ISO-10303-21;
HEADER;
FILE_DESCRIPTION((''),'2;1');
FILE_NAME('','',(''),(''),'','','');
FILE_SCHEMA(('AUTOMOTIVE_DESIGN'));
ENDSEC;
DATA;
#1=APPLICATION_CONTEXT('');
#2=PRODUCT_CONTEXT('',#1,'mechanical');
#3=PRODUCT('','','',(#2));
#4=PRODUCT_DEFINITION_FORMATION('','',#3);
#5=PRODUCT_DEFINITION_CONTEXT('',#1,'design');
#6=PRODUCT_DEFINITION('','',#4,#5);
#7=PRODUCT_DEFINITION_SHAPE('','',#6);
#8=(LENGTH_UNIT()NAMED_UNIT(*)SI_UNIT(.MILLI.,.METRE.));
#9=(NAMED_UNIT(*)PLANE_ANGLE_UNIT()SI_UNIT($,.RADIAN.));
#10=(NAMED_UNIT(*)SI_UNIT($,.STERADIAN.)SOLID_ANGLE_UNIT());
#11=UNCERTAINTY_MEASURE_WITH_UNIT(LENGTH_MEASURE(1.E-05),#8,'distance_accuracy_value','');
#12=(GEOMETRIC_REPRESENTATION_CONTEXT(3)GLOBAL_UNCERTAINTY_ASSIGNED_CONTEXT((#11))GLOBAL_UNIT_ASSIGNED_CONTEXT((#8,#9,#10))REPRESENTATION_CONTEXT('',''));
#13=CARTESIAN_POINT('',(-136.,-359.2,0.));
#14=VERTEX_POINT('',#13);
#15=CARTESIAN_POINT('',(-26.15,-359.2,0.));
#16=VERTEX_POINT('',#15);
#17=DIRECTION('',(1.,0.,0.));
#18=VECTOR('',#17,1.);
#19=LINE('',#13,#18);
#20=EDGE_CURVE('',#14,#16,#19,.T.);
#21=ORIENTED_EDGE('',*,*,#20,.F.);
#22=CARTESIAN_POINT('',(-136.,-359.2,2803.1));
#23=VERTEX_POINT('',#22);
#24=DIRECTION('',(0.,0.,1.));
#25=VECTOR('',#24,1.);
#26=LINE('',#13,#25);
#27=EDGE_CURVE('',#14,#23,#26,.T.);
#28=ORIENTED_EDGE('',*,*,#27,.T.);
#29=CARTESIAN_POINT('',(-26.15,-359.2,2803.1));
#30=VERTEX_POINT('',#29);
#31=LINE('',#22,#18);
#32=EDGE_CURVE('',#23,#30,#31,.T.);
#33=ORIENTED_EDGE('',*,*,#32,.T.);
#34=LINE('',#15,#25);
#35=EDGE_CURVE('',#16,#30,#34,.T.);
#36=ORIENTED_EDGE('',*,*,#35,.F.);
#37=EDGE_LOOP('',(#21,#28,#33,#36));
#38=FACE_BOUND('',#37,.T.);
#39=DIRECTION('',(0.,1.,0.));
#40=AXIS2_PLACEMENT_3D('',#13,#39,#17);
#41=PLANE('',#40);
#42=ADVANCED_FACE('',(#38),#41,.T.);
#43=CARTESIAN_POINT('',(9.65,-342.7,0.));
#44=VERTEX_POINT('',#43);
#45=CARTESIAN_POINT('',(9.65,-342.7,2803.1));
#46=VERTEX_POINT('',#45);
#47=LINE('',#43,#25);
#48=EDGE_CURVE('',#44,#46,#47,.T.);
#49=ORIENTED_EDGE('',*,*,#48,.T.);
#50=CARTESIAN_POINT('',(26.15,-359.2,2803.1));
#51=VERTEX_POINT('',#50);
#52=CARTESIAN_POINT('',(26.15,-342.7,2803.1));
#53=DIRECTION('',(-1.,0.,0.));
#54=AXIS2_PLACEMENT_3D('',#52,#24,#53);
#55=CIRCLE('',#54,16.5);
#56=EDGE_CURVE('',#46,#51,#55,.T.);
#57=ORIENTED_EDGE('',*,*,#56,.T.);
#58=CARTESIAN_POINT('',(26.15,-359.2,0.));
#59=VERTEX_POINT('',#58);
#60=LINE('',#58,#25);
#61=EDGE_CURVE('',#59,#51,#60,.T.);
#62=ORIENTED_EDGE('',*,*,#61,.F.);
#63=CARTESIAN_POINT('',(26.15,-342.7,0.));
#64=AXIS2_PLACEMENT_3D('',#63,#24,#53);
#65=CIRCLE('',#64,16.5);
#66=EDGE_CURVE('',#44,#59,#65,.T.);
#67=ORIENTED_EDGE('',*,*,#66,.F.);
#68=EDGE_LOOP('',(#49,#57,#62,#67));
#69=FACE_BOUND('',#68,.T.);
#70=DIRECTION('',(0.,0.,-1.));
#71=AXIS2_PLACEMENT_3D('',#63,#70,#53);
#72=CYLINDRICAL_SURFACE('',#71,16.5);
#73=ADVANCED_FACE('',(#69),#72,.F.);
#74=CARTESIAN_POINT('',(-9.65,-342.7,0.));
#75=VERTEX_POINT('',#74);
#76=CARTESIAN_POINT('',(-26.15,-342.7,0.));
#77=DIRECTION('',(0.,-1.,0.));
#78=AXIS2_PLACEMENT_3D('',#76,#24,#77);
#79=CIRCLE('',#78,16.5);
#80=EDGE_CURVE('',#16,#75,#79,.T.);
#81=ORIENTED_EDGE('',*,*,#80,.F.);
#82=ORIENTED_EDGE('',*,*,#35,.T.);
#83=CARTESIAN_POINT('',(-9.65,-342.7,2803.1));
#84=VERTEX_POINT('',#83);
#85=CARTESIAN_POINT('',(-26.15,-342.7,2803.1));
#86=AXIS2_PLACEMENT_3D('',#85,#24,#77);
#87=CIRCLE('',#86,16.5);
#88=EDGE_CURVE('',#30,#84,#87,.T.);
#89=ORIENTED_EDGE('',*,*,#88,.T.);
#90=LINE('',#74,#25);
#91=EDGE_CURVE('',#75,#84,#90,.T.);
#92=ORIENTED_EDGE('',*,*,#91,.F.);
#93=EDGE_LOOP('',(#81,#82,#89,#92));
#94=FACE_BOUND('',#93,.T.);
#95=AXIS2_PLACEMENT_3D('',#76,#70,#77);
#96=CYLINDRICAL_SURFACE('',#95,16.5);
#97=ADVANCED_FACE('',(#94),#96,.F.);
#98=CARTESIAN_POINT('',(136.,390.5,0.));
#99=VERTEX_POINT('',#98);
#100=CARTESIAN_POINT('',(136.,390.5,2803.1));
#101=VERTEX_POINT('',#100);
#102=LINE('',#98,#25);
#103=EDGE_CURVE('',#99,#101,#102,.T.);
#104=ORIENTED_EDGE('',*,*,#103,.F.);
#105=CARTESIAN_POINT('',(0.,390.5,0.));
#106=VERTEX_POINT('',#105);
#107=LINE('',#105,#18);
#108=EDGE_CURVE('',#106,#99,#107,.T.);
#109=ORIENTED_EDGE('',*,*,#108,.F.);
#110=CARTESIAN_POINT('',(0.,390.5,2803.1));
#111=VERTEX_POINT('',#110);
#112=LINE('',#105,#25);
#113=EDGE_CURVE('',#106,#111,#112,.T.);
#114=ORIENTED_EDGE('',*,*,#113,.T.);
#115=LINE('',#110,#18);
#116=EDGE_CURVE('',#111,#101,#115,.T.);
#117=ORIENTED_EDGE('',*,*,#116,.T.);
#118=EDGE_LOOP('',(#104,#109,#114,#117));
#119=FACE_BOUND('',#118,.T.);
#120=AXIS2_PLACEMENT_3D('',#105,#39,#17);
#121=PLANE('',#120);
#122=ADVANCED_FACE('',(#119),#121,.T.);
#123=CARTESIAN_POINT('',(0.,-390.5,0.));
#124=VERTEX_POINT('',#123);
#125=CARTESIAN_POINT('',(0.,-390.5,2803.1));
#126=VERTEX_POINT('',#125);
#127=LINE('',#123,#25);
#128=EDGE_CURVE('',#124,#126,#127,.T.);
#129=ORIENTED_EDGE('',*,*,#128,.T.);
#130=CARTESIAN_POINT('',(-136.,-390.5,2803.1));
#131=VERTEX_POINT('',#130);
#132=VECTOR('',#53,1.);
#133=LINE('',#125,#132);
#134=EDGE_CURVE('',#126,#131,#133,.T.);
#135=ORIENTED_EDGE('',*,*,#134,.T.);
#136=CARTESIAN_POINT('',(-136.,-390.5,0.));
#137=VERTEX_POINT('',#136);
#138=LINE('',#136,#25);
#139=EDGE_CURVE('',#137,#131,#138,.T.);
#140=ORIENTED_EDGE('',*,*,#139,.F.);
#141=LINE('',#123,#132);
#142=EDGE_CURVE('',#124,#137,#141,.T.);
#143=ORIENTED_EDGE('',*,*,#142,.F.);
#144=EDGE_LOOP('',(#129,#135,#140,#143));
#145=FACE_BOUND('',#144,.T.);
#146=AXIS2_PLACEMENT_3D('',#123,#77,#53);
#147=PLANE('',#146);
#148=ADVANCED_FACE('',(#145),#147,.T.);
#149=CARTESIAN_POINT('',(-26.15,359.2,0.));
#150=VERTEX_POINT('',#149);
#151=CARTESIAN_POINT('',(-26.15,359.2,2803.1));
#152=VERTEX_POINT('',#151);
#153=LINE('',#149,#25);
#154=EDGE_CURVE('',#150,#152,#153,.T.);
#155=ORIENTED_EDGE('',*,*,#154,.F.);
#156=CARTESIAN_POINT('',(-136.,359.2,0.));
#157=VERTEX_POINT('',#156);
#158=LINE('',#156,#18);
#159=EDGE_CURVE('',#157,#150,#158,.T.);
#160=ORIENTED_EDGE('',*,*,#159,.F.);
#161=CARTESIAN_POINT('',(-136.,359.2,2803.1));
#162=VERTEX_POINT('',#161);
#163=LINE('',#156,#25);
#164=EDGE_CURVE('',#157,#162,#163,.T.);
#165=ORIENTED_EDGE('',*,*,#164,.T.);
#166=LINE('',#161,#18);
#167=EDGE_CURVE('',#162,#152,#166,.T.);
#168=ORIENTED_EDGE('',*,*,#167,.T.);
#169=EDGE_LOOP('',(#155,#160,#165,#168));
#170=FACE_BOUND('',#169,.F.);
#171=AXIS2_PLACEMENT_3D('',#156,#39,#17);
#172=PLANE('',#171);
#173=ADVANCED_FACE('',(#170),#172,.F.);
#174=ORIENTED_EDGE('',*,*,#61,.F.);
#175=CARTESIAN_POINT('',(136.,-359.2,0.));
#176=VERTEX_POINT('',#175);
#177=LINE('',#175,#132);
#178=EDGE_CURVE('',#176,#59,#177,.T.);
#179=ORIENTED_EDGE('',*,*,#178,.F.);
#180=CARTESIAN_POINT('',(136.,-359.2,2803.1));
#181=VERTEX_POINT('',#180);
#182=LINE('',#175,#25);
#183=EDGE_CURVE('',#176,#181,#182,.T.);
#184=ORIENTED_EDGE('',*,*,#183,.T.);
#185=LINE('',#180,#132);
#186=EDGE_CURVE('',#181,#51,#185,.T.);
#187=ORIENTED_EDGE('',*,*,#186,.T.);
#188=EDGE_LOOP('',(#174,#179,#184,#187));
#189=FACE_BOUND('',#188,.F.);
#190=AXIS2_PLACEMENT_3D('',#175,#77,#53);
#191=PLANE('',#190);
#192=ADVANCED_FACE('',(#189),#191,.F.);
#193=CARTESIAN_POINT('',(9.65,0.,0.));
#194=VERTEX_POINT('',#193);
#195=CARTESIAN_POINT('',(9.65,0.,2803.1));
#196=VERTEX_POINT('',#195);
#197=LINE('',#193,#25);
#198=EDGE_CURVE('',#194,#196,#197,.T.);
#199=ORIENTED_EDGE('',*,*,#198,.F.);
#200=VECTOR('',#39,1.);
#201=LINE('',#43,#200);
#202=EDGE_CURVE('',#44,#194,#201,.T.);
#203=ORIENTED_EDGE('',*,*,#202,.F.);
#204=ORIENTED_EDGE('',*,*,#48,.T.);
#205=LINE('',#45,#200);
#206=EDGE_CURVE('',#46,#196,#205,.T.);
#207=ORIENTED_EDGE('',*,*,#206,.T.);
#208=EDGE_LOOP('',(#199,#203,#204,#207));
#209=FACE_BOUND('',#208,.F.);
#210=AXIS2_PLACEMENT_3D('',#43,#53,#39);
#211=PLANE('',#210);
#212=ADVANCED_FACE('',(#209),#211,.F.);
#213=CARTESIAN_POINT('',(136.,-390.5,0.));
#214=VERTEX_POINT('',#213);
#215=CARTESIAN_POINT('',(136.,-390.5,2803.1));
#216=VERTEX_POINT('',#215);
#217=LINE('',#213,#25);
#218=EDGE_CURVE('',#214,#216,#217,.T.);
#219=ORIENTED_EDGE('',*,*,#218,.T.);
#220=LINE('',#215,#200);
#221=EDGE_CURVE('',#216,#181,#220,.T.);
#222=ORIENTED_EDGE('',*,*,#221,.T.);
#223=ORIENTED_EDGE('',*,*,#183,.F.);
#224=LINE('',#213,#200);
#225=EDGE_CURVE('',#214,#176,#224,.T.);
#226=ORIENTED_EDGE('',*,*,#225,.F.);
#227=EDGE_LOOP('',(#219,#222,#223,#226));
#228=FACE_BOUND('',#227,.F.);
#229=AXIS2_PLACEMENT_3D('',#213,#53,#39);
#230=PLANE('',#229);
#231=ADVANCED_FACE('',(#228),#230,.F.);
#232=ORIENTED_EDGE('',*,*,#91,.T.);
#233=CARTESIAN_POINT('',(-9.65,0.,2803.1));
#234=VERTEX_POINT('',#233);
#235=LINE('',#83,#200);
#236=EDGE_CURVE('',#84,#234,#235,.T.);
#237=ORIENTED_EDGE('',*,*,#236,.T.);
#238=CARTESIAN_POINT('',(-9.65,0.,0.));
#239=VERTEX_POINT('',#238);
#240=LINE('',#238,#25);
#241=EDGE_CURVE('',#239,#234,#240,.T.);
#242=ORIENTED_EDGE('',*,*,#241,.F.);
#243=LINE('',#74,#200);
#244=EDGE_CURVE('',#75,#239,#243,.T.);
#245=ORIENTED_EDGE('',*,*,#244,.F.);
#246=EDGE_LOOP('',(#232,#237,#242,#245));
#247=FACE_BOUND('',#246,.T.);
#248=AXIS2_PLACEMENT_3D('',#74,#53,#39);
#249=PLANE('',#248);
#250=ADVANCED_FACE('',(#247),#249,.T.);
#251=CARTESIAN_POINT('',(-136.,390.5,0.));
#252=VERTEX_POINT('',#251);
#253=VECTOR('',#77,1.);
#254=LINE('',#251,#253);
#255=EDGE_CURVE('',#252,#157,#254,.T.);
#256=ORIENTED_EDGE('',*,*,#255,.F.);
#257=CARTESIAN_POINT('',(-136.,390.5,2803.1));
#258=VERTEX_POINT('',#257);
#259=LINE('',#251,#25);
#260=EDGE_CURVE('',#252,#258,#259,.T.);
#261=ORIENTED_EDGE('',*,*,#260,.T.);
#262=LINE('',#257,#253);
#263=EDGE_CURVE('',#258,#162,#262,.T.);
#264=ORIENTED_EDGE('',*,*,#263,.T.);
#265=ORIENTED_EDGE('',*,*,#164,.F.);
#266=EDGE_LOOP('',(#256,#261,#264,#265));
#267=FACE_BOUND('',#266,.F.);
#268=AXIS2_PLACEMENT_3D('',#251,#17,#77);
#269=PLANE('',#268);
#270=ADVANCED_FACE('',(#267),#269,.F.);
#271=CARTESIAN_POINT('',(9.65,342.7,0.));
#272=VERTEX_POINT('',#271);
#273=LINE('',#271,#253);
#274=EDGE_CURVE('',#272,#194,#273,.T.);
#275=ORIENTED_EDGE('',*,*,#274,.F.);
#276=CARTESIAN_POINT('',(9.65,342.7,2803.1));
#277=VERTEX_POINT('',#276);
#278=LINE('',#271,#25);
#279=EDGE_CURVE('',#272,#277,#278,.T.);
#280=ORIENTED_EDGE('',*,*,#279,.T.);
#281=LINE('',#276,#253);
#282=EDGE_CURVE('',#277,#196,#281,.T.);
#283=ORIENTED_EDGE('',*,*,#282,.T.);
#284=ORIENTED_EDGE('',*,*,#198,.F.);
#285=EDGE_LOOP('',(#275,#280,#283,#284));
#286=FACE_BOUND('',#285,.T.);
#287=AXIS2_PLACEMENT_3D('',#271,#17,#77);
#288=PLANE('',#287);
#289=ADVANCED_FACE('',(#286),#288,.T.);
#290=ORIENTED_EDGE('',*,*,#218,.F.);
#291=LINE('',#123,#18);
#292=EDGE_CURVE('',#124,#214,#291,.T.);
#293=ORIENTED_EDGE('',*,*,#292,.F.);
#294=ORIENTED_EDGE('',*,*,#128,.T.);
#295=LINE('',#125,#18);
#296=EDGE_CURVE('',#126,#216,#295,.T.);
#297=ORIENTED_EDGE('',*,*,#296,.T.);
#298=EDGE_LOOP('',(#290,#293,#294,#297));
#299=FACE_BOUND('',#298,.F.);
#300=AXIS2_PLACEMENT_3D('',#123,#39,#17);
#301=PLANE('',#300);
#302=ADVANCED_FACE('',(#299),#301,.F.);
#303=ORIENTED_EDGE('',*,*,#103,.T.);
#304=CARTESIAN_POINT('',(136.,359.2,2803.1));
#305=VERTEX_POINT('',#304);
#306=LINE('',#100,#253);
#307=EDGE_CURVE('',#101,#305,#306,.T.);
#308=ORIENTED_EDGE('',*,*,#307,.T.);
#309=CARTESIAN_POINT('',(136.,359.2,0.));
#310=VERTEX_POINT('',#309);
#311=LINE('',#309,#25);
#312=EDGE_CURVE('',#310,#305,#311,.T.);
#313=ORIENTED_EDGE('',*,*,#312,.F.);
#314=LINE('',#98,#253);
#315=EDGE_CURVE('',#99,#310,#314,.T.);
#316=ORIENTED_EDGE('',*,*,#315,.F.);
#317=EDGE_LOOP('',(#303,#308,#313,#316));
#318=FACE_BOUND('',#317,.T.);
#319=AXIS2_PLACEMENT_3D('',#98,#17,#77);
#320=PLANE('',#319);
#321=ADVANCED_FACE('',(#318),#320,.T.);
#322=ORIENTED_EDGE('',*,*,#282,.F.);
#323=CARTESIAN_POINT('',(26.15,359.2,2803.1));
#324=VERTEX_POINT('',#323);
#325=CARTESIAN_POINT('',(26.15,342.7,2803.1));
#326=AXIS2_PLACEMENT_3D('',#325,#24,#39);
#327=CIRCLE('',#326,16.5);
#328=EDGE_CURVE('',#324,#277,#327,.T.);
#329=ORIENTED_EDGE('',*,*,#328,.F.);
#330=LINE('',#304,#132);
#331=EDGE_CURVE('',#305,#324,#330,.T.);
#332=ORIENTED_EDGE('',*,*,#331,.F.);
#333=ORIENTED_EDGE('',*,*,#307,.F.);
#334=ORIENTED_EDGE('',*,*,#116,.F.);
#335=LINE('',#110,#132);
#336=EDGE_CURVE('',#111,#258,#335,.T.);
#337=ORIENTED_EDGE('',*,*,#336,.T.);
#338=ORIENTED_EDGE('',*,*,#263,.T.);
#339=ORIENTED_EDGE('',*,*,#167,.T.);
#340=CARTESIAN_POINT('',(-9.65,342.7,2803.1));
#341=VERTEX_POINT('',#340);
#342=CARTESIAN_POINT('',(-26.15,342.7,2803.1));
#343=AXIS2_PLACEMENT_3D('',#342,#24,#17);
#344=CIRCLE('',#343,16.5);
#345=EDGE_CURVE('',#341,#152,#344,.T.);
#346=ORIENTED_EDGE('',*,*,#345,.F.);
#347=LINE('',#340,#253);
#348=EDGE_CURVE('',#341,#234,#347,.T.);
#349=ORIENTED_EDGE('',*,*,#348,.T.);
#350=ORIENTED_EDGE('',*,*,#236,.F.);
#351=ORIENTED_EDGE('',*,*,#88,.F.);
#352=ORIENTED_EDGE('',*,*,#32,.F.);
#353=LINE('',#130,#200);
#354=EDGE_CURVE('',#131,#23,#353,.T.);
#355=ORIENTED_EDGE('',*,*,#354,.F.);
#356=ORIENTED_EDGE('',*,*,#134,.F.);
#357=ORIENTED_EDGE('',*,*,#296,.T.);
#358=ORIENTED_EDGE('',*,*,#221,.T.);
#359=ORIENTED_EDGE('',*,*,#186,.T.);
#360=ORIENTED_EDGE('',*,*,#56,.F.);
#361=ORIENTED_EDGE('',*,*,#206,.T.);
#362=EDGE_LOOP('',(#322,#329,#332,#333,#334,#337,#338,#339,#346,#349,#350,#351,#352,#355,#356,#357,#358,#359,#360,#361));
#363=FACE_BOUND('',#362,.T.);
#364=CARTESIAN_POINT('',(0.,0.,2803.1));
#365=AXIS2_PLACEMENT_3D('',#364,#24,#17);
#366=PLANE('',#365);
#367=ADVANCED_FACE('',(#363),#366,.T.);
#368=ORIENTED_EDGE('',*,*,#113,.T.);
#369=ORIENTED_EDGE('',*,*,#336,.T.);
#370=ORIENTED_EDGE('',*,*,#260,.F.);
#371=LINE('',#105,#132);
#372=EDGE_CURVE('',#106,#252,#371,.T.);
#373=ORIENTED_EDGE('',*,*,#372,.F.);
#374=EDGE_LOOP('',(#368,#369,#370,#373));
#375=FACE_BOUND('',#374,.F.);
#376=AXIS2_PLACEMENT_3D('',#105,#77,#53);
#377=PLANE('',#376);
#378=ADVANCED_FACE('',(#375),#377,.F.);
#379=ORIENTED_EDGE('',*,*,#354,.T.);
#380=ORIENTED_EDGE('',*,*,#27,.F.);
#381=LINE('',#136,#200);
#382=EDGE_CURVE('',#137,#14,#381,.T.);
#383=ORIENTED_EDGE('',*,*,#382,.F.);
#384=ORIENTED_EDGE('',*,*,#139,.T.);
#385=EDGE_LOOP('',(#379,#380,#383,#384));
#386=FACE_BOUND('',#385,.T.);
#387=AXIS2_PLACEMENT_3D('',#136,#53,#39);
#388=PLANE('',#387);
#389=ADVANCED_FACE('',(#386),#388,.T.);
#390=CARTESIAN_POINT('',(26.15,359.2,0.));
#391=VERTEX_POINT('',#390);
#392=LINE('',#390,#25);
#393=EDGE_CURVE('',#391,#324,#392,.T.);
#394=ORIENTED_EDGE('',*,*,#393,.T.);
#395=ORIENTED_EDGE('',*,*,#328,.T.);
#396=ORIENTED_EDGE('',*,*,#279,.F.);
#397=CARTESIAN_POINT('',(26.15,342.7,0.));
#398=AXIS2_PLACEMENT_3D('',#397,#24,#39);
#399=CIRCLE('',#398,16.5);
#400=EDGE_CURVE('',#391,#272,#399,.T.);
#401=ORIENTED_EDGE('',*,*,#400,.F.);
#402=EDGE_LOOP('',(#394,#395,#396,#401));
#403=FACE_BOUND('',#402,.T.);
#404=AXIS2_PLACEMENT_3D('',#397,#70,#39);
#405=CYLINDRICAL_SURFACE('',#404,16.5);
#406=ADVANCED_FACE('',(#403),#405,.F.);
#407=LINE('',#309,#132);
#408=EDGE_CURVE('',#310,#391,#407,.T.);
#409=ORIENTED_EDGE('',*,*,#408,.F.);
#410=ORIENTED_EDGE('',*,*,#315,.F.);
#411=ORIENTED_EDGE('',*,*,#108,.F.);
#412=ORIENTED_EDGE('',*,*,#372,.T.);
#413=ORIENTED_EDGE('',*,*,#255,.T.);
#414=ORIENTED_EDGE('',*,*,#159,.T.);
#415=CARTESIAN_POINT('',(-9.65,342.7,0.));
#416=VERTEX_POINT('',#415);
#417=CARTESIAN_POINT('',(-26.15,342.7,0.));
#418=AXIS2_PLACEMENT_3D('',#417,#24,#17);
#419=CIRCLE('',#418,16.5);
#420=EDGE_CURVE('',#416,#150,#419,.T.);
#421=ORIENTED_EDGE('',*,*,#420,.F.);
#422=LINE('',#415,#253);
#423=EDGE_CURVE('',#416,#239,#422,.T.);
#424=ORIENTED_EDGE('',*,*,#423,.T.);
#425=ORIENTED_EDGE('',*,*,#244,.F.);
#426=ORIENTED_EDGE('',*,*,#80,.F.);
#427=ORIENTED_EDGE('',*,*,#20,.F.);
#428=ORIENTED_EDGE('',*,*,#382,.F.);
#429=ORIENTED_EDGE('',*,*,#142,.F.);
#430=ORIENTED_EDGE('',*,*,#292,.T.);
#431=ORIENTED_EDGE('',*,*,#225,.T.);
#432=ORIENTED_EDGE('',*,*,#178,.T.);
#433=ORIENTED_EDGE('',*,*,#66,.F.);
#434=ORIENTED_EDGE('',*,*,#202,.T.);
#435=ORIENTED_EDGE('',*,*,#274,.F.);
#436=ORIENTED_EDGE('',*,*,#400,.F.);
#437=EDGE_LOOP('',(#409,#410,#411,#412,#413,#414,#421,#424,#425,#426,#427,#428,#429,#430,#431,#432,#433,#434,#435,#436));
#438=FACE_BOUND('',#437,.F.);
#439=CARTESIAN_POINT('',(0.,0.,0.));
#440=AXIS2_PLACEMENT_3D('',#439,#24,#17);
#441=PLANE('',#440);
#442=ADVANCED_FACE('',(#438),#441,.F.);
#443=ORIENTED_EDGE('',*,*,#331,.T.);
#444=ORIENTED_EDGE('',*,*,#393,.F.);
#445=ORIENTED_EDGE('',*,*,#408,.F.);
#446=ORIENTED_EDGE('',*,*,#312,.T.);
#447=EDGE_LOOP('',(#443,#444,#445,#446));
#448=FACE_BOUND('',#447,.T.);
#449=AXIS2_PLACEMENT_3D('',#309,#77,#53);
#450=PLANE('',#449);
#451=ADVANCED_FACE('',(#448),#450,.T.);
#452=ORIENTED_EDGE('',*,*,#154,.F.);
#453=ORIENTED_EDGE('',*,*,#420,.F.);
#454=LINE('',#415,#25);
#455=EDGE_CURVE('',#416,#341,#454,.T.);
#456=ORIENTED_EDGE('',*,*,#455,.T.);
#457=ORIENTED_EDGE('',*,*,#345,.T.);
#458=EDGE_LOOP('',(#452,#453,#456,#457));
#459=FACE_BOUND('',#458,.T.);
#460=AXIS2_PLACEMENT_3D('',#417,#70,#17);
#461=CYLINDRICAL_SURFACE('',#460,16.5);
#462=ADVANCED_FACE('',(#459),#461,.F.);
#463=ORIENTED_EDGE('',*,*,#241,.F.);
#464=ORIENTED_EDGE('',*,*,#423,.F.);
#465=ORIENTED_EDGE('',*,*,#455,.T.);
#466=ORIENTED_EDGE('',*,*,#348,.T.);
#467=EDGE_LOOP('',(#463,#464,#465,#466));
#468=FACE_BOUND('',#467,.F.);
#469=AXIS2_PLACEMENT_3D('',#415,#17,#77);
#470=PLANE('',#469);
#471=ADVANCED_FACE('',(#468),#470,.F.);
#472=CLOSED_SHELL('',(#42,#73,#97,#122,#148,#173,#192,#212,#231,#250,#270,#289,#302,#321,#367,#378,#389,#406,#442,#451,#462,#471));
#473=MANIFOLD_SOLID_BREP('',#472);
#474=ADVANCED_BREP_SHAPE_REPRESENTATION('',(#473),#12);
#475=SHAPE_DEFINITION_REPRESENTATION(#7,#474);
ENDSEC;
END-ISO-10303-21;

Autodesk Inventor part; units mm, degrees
ref_plane "YZ Plane" through (0, 0, 0) normal (1, 0, 0) x (0, 1, 0)
ref_plane "Start plane" through (0, 0, 0) normal (0, 0, 1) x (1, 0, 0)
ref_plane "End plane" through (0, 0, 2803.1) normal (0, 0, 1) x (1, 0, 0)
sketch "Sketch" plane through (0, 0, 0) normal (0, 0, 1) x (1, 0, 0)
  line L0 (-136, -390.5) -> (-136, -359.2)
  line L1 (-136, -359.2) -> (-26.15, -359.2)
  line L2 (-9.65, -342.7) -> (-9.65, 0)
  line L3 (-9.65, 0) -> (0, 0) construction
  line L4 (0, 0) -> (0, -390.5) construction
  line L5 (0, -390.5) -> (-136, -390.5)
  line L6 (-60, 0) -> (80, 0) construction
  line L7 (0, -60) -> (0, 80) construction
  line L8 (136, -390.5) -> (136, -359.2)
  line L9 (136, -359.2) -> (26.15, -359.2)
  line L10 (9.65, -342.7) -> (9.65, 0)
  line L11 (9.65, 0) -> (0, 0) construction
  line L12 (0, -390.5) -> (136, -390.5)
  line L13 (-136, 390.5) -> (-136, 359.2)
  line L14 (-136, 359.2) -> (-26.15, 359.2)
  line L15 (-9.65, 342.7) -> (-9.65, 0)
  line L16 (0, 390.5) -> (-136, 390.5)
  line L17 (136, 390.5) -> (136, 359.2)
  line L18 (136, 359.2) -> (26.15, 359.2)
  line L19 (0, 390.5) -> (136, 390.5)
  line L20 (9.65, 342.7) -> (9.65, 0)
  arc A0 (-9.65, 342.7) -> (-26.15, 359.2) centre (-26.15, 342.7) ccw
  arc A1 (26.15, 359.2) -> (9.65, 342.7) centre (26.15, 342.7) ccw
  arc A2 (9.65, -342.7) -> (26.15, -359.2) centre (26.15, -342.7) ccw
  arc A3 (-26.15, -359.2) -> (-9.65, -342.7) centre (-26.15, -342.7) ccw
  line L21 (0, 108) -> (0, -88) construction
  line L22 (-88, 0) -> (108, 0) construction
  point P0 (-9.65, -359.2)
  point P1 (9.65, -359.2)
  point P2 (-9.65, 359.2)
  point P3 (9.65, 359.2)
  dimension "d1" = 390.5
  dimension "d2" = 31.3
  dimension "d3" = 136
  dimension "d4" = 9.65
  dimension "d10" = 16.5
extrude "Body" add sketch "Sketch" along normal up to surface (2803.1 mm away) from surface at 0
sketch "Sketch4" plane through (0, 0, 0) normal (0, 0, 1) x (1, 0, 0)
  line L0 (0, 0) -> (10, 0)
ref_plane "Work Plane3" through (0, 0, 0) normal (0, -1, 0) x (1, 0, 0)
sketch "Sketch5" plane through (0, 0, 0) normal (0, -1, 0) x (1, 0, 0)
  line L0 (-2, 0) -> (12, 0) projected
  line L1 (-2, 2803.1) -> (12, 2803.1) projected
  dimension "d14" = 2803.1
equation "\"d1\" = 0.5 * G_H"
equation "\"d2\" = G_T1"
equation "\"d3\" = 0.5 * G_W"
equation "\"d4\" = 0.5 * G_T"
equation "\"d10\" = G_IR"
equation "\"d5\" = G_L"
equation "\"G_W\" = 272"
equation "\"G_H\" = 781"
equation "\"G_T\" = 19.3"
equation "\"G_T1\" = 31.3"
equation "\"G_IR\" = 16.5"
equation "\"G_L\" = d14"
equation "\"G_OFFSET_START\" = 0"
equation "\"G_OFFSET_END\" = 0"
equation "\"d12\" = G_OFFSET_END + B_L"
equation "\"B_L\" = 2803.1"
properties part number "AS 3679-1990 - 760 UB - 244 - 2803.1" material "Steel, Mild"
